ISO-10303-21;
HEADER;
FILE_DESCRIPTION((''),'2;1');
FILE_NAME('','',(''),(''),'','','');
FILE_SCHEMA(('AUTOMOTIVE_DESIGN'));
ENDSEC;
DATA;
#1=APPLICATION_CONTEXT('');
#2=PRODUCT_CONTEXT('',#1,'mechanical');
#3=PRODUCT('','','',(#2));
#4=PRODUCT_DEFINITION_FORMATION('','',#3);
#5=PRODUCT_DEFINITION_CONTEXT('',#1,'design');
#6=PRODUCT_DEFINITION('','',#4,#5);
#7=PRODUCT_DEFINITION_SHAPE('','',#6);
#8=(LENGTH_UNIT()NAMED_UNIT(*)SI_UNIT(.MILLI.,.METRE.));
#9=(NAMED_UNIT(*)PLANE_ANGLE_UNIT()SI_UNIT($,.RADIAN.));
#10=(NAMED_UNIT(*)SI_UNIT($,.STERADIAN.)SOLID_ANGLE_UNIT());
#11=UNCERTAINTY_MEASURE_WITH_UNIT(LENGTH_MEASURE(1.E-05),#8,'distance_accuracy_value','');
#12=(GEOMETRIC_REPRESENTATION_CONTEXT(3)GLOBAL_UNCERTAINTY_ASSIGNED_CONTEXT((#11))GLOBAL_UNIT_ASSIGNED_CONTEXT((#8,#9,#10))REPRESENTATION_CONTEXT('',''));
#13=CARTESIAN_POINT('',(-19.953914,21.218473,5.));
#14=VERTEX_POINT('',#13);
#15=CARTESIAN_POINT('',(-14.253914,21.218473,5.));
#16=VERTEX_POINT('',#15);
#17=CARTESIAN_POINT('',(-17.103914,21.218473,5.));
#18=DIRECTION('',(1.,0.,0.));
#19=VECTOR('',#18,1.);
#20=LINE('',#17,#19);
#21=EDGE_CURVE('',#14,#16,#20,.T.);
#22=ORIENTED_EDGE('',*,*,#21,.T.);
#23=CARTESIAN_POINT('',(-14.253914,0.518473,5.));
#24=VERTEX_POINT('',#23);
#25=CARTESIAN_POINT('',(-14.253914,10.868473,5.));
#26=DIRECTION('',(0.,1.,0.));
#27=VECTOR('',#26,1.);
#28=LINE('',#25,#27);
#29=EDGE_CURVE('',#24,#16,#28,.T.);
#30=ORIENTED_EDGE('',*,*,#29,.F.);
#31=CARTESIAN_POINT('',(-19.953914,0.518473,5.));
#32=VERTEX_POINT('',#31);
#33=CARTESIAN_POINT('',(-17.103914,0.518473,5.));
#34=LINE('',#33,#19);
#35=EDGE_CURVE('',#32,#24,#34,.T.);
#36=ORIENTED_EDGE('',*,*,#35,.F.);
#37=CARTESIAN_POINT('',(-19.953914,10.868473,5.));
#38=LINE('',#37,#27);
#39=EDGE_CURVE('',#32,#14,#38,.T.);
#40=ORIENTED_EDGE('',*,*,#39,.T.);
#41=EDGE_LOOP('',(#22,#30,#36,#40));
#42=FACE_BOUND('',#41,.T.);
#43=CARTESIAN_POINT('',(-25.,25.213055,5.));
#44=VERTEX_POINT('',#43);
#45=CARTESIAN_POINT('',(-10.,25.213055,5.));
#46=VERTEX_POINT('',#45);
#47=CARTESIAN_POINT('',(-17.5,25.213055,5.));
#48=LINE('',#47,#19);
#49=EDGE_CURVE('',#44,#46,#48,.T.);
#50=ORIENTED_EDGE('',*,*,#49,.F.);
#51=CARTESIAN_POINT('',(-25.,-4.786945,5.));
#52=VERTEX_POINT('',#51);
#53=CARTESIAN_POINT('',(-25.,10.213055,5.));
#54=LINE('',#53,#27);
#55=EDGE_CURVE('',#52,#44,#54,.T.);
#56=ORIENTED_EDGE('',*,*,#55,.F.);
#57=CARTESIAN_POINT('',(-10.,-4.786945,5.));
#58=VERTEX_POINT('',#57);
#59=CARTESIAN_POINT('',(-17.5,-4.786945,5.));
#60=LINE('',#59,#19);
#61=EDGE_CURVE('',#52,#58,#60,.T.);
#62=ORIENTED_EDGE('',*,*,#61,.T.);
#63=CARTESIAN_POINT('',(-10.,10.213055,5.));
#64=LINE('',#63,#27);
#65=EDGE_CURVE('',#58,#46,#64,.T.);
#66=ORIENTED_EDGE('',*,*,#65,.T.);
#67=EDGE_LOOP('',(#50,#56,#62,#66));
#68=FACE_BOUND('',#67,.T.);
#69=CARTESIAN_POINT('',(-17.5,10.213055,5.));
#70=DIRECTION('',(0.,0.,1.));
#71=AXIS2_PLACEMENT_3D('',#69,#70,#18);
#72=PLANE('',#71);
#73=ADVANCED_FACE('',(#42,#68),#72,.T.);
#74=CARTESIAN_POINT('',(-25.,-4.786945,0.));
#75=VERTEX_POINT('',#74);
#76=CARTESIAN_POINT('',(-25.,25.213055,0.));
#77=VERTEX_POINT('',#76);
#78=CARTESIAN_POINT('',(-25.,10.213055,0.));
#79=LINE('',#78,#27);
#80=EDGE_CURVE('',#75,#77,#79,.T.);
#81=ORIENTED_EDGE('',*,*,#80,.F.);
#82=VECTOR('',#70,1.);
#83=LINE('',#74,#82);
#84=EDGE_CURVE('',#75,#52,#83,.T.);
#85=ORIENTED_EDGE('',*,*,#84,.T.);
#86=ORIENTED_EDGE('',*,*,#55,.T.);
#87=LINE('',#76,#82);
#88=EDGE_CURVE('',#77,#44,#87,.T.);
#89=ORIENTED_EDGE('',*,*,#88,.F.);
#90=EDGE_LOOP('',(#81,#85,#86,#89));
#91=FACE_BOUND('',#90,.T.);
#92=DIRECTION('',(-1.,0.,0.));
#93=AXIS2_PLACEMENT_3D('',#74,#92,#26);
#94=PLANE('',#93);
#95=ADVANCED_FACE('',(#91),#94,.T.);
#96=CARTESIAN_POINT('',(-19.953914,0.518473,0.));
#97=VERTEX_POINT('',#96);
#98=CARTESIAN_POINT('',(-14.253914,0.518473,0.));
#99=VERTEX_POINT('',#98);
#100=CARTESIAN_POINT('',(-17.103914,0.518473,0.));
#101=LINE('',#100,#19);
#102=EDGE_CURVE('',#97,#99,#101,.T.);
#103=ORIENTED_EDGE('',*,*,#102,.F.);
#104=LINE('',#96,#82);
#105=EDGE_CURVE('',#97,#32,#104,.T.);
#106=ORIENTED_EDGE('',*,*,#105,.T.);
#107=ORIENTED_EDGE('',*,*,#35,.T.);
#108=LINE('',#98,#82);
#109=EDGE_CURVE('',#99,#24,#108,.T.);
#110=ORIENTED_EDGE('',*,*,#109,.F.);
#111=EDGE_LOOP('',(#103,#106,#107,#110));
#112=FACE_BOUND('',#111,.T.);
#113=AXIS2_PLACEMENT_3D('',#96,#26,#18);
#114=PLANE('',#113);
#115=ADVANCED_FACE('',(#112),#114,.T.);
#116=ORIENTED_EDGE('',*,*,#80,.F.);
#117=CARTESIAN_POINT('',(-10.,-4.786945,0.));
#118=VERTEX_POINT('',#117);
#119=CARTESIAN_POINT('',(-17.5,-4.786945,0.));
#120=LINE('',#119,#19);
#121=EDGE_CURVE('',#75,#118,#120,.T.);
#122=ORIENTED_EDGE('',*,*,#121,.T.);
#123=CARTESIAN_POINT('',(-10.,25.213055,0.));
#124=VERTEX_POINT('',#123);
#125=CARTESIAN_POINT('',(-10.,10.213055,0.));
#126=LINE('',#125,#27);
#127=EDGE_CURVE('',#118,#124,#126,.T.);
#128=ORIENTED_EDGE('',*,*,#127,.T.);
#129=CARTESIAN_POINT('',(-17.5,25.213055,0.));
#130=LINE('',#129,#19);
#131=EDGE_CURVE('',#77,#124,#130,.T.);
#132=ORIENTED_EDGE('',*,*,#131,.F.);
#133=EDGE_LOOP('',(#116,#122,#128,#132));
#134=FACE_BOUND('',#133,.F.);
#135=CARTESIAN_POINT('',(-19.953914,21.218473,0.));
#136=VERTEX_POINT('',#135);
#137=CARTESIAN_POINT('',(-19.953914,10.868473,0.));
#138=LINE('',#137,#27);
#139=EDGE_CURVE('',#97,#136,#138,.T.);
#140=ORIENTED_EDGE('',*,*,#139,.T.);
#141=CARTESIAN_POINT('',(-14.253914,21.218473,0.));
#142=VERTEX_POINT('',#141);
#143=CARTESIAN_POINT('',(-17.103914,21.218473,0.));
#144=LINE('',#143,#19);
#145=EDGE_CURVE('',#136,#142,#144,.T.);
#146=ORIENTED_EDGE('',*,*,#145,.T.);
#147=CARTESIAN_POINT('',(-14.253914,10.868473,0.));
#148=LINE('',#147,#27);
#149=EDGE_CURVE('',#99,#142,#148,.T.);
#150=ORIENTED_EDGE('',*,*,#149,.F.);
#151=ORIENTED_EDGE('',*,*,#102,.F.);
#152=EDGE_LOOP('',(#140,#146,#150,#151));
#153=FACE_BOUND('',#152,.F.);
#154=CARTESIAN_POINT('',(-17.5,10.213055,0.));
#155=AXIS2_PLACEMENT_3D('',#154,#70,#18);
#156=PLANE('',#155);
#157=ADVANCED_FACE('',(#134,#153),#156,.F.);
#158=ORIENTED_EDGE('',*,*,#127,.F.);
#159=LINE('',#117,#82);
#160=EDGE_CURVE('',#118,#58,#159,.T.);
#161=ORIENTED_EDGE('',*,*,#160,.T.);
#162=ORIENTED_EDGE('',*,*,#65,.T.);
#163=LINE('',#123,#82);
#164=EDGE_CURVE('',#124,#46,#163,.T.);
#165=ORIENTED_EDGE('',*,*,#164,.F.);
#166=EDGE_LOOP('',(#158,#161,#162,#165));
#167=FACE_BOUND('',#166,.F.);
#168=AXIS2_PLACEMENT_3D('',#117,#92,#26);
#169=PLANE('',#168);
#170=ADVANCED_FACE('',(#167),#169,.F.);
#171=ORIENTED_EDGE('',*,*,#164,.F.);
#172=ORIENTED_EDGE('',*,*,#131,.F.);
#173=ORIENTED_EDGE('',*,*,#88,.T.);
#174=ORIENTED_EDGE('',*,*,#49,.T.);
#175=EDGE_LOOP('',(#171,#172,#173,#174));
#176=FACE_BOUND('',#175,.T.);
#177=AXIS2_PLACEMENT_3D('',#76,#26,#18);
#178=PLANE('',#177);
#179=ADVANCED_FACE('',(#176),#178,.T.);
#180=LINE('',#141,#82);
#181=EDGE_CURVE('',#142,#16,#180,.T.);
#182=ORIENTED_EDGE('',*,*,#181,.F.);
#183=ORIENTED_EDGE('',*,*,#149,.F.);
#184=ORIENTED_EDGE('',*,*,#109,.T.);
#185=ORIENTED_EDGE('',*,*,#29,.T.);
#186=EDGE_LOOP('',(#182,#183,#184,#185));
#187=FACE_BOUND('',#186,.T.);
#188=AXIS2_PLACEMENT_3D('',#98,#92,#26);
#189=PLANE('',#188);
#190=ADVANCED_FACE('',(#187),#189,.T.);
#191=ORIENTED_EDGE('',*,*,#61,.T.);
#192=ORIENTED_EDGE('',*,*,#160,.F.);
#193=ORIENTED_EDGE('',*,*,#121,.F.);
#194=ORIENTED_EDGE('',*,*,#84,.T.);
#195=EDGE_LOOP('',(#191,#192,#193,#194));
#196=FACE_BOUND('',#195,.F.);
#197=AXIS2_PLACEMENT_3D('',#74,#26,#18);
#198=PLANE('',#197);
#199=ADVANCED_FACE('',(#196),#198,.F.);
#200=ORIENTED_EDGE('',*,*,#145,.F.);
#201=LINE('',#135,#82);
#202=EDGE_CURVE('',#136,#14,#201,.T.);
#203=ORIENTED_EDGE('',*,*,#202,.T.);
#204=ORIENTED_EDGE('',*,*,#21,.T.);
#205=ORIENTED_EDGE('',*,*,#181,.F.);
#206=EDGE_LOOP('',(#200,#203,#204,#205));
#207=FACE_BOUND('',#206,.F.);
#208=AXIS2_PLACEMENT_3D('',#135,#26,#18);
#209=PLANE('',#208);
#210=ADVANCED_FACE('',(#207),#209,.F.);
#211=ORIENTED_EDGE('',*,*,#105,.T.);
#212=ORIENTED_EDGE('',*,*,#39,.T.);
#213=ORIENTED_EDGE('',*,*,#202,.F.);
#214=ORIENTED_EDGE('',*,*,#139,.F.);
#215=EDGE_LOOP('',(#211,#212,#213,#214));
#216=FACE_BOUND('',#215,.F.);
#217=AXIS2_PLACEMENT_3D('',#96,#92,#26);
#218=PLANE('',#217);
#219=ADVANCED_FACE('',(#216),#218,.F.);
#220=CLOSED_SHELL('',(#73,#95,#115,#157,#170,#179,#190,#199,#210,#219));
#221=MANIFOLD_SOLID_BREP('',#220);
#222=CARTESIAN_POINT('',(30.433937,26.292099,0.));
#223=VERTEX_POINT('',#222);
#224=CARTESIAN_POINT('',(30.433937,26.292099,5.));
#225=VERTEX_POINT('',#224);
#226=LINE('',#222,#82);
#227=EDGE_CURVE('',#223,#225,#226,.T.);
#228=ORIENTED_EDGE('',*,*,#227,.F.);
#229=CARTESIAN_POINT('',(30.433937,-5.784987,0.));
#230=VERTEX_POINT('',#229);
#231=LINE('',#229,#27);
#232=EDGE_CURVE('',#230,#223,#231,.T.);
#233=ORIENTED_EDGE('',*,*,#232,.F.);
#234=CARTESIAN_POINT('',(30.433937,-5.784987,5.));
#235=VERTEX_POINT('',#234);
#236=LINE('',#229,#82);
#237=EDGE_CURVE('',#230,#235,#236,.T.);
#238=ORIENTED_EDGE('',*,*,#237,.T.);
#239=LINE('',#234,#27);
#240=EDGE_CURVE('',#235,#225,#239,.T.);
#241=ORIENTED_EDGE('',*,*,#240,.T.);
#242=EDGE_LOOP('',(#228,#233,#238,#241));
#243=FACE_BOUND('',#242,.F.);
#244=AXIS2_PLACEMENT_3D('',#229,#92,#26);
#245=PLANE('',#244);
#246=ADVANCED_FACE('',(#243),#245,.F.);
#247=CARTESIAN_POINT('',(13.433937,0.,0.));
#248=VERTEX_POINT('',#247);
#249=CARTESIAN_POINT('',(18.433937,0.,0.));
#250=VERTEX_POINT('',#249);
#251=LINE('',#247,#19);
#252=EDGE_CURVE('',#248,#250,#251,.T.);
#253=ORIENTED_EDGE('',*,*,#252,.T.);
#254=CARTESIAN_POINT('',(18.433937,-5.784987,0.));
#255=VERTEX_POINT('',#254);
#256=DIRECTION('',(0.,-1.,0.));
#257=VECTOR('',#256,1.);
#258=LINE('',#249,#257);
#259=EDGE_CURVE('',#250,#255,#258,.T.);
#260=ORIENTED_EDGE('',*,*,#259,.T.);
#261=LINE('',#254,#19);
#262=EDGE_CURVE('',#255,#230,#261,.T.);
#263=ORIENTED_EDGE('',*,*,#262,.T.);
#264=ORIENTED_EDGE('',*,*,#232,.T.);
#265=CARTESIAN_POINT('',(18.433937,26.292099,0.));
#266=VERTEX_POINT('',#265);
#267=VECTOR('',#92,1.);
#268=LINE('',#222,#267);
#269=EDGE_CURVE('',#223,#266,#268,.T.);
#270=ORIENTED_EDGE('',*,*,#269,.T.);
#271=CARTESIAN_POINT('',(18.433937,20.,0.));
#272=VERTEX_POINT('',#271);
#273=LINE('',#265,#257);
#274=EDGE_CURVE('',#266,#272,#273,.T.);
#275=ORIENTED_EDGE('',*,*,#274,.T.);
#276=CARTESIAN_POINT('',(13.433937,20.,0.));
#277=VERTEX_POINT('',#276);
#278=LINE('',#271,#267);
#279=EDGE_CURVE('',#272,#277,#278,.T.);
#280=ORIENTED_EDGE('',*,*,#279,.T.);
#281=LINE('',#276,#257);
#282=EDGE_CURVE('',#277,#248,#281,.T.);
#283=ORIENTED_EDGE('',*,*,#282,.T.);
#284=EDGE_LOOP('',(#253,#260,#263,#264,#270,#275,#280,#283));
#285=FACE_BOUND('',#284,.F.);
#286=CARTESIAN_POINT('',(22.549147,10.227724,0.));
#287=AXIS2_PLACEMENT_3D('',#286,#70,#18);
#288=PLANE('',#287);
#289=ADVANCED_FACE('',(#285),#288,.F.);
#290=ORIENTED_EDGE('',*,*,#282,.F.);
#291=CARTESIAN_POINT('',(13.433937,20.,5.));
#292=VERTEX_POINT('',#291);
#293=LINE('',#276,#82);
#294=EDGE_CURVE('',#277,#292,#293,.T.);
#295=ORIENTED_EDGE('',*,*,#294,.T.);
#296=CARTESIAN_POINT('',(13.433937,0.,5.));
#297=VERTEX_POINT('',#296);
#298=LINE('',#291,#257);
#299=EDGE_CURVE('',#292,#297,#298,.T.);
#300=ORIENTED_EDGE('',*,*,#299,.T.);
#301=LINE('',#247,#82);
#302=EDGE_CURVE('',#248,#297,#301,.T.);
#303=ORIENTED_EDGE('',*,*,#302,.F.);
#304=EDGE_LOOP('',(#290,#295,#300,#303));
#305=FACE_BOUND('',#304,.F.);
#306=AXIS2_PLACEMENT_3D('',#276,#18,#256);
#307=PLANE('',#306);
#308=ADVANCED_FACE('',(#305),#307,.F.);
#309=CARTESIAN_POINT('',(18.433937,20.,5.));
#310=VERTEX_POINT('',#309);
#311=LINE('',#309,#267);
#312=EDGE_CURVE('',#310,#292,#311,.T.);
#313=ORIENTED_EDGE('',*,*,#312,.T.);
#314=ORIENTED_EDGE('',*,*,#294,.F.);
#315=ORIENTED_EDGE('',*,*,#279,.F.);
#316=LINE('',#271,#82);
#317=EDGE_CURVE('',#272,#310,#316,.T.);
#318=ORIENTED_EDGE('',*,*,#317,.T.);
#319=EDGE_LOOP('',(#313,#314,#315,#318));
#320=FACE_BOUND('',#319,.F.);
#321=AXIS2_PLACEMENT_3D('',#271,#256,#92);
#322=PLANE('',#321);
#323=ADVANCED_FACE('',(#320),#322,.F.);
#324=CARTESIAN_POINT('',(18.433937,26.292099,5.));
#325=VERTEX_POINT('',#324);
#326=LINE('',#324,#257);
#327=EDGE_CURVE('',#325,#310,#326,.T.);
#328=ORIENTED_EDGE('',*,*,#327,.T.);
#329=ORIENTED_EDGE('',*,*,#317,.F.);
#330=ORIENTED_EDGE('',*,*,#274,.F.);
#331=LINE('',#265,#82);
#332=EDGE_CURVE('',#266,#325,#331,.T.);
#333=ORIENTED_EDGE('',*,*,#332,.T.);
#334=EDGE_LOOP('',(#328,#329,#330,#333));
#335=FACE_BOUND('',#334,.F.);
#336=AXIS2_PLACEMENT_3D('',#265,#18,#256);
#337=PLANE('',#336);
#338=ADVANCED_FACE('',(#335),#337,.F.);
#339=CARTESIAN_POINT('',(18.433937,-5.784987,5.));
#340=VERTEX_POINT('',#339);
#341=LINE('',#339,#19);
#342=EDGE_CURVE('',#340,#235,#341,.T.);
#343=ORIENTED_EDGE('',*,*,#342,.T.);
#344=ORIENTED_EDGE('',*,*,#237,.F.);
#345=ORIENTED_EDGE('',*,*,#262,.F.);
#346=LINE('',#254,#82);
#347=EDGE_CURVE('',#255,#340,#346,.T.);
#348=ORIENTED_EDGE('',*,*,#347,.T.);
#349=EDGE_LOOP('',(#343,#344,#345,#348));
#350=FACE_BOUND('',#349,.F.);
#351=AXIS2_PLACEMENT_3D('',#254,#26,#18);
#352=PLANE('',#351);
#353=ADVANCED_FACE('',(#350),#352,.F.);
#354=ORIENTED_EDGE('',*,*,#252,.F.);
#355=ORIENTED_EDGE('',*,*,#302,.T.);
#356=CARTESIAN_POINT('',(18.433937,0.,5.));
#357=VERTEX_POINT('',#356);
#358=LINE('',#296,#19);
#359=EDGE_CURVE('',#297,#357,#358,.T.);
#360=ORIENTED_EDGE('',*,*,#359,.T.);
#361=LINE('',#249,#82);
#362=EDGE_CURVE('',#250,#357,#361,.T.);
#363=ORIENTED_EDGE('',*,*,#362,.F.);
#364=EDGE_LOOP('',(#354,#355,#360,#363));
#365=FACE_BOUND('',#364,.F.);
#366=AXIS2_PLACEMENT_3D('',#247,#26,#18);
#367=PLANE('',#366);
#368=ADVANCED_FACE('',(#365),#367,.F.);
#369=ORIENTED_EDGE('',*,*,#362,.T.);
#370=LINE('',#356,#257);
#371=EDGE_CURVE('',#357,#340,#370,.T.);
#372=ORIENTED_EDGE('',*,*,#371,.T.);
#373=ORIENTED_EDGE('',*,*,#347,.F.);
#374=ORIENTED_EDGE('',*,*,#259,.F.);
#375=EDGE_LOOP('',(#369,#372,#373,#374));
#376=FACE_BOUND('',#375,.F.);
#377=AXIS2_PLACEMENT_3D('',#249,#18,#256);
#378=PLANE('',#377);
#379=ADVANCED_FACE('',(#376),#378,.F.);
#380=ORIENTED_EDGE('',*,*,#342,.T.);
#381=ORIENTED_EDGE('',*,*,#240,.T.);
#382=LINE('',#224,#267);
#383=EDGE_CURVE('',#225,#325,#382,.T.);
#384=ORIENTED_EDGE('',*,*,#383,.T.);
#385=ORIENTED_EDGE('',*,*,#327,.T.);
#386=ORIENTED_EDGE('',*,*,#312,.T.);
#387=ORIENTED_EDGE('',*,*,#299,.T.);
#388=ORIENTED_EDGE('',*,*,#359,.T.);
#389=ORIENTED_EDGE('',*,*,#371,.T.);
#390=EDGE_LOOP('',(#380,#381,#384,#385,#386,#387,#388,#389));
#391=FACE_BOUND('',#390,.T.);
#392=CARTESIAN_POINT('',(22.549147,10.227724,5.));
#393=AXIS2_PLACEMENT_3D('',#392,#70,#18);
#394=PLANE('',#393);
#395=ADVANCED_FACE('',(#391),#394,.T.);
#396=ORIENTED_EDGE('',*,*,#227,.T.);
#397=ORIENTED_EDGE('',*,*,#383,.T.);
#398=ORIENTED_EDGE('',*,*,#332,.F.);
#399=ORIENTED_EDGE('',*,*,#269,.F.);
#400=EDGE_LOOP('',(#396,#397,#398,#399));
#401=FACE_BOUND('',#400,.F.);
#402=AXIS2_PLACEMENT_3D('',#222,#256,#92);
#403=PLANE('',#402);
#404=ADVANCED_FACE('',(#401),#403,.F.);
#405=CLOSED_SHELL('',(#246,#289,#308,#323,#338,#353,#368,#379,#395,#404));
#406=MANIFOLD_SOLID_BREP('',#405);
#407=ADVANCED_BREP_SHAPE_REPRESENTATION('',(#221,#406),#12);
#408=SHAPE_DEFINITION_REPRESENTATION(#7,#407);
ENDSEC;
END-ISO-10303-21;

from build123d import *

# Parameters (mm, degrees)
F0_W     = 15
F0_H     = 30
F0_W_2   = 5.7
F0_H_2   = 20.7
F1_DEPTH = 5


with BuildPart() as f1:
    # F0 (on Top) → F1 (new body)
    with BuildSketch(Plane.XY):
        with Locations((-17.5, 10.213055)):
            Rectangle(F0_W, F0_H)
        with Locations((-17.103914, 10.868473)):
            Rectangle(F0_W_2, F0_H_2, mode=Mode.SUBTRACT)
        Polygon((13.433937, 0), (18.433937, 0), (18.433937, -5.784987), (30.433937, -5.784987), (30.433937, 26.292099), (18.433937, 26.292099), (18.433937, 20), (13.433937, 20), align=None)
    extrude(amount=F1_DEPTH)


solid = f1.part
